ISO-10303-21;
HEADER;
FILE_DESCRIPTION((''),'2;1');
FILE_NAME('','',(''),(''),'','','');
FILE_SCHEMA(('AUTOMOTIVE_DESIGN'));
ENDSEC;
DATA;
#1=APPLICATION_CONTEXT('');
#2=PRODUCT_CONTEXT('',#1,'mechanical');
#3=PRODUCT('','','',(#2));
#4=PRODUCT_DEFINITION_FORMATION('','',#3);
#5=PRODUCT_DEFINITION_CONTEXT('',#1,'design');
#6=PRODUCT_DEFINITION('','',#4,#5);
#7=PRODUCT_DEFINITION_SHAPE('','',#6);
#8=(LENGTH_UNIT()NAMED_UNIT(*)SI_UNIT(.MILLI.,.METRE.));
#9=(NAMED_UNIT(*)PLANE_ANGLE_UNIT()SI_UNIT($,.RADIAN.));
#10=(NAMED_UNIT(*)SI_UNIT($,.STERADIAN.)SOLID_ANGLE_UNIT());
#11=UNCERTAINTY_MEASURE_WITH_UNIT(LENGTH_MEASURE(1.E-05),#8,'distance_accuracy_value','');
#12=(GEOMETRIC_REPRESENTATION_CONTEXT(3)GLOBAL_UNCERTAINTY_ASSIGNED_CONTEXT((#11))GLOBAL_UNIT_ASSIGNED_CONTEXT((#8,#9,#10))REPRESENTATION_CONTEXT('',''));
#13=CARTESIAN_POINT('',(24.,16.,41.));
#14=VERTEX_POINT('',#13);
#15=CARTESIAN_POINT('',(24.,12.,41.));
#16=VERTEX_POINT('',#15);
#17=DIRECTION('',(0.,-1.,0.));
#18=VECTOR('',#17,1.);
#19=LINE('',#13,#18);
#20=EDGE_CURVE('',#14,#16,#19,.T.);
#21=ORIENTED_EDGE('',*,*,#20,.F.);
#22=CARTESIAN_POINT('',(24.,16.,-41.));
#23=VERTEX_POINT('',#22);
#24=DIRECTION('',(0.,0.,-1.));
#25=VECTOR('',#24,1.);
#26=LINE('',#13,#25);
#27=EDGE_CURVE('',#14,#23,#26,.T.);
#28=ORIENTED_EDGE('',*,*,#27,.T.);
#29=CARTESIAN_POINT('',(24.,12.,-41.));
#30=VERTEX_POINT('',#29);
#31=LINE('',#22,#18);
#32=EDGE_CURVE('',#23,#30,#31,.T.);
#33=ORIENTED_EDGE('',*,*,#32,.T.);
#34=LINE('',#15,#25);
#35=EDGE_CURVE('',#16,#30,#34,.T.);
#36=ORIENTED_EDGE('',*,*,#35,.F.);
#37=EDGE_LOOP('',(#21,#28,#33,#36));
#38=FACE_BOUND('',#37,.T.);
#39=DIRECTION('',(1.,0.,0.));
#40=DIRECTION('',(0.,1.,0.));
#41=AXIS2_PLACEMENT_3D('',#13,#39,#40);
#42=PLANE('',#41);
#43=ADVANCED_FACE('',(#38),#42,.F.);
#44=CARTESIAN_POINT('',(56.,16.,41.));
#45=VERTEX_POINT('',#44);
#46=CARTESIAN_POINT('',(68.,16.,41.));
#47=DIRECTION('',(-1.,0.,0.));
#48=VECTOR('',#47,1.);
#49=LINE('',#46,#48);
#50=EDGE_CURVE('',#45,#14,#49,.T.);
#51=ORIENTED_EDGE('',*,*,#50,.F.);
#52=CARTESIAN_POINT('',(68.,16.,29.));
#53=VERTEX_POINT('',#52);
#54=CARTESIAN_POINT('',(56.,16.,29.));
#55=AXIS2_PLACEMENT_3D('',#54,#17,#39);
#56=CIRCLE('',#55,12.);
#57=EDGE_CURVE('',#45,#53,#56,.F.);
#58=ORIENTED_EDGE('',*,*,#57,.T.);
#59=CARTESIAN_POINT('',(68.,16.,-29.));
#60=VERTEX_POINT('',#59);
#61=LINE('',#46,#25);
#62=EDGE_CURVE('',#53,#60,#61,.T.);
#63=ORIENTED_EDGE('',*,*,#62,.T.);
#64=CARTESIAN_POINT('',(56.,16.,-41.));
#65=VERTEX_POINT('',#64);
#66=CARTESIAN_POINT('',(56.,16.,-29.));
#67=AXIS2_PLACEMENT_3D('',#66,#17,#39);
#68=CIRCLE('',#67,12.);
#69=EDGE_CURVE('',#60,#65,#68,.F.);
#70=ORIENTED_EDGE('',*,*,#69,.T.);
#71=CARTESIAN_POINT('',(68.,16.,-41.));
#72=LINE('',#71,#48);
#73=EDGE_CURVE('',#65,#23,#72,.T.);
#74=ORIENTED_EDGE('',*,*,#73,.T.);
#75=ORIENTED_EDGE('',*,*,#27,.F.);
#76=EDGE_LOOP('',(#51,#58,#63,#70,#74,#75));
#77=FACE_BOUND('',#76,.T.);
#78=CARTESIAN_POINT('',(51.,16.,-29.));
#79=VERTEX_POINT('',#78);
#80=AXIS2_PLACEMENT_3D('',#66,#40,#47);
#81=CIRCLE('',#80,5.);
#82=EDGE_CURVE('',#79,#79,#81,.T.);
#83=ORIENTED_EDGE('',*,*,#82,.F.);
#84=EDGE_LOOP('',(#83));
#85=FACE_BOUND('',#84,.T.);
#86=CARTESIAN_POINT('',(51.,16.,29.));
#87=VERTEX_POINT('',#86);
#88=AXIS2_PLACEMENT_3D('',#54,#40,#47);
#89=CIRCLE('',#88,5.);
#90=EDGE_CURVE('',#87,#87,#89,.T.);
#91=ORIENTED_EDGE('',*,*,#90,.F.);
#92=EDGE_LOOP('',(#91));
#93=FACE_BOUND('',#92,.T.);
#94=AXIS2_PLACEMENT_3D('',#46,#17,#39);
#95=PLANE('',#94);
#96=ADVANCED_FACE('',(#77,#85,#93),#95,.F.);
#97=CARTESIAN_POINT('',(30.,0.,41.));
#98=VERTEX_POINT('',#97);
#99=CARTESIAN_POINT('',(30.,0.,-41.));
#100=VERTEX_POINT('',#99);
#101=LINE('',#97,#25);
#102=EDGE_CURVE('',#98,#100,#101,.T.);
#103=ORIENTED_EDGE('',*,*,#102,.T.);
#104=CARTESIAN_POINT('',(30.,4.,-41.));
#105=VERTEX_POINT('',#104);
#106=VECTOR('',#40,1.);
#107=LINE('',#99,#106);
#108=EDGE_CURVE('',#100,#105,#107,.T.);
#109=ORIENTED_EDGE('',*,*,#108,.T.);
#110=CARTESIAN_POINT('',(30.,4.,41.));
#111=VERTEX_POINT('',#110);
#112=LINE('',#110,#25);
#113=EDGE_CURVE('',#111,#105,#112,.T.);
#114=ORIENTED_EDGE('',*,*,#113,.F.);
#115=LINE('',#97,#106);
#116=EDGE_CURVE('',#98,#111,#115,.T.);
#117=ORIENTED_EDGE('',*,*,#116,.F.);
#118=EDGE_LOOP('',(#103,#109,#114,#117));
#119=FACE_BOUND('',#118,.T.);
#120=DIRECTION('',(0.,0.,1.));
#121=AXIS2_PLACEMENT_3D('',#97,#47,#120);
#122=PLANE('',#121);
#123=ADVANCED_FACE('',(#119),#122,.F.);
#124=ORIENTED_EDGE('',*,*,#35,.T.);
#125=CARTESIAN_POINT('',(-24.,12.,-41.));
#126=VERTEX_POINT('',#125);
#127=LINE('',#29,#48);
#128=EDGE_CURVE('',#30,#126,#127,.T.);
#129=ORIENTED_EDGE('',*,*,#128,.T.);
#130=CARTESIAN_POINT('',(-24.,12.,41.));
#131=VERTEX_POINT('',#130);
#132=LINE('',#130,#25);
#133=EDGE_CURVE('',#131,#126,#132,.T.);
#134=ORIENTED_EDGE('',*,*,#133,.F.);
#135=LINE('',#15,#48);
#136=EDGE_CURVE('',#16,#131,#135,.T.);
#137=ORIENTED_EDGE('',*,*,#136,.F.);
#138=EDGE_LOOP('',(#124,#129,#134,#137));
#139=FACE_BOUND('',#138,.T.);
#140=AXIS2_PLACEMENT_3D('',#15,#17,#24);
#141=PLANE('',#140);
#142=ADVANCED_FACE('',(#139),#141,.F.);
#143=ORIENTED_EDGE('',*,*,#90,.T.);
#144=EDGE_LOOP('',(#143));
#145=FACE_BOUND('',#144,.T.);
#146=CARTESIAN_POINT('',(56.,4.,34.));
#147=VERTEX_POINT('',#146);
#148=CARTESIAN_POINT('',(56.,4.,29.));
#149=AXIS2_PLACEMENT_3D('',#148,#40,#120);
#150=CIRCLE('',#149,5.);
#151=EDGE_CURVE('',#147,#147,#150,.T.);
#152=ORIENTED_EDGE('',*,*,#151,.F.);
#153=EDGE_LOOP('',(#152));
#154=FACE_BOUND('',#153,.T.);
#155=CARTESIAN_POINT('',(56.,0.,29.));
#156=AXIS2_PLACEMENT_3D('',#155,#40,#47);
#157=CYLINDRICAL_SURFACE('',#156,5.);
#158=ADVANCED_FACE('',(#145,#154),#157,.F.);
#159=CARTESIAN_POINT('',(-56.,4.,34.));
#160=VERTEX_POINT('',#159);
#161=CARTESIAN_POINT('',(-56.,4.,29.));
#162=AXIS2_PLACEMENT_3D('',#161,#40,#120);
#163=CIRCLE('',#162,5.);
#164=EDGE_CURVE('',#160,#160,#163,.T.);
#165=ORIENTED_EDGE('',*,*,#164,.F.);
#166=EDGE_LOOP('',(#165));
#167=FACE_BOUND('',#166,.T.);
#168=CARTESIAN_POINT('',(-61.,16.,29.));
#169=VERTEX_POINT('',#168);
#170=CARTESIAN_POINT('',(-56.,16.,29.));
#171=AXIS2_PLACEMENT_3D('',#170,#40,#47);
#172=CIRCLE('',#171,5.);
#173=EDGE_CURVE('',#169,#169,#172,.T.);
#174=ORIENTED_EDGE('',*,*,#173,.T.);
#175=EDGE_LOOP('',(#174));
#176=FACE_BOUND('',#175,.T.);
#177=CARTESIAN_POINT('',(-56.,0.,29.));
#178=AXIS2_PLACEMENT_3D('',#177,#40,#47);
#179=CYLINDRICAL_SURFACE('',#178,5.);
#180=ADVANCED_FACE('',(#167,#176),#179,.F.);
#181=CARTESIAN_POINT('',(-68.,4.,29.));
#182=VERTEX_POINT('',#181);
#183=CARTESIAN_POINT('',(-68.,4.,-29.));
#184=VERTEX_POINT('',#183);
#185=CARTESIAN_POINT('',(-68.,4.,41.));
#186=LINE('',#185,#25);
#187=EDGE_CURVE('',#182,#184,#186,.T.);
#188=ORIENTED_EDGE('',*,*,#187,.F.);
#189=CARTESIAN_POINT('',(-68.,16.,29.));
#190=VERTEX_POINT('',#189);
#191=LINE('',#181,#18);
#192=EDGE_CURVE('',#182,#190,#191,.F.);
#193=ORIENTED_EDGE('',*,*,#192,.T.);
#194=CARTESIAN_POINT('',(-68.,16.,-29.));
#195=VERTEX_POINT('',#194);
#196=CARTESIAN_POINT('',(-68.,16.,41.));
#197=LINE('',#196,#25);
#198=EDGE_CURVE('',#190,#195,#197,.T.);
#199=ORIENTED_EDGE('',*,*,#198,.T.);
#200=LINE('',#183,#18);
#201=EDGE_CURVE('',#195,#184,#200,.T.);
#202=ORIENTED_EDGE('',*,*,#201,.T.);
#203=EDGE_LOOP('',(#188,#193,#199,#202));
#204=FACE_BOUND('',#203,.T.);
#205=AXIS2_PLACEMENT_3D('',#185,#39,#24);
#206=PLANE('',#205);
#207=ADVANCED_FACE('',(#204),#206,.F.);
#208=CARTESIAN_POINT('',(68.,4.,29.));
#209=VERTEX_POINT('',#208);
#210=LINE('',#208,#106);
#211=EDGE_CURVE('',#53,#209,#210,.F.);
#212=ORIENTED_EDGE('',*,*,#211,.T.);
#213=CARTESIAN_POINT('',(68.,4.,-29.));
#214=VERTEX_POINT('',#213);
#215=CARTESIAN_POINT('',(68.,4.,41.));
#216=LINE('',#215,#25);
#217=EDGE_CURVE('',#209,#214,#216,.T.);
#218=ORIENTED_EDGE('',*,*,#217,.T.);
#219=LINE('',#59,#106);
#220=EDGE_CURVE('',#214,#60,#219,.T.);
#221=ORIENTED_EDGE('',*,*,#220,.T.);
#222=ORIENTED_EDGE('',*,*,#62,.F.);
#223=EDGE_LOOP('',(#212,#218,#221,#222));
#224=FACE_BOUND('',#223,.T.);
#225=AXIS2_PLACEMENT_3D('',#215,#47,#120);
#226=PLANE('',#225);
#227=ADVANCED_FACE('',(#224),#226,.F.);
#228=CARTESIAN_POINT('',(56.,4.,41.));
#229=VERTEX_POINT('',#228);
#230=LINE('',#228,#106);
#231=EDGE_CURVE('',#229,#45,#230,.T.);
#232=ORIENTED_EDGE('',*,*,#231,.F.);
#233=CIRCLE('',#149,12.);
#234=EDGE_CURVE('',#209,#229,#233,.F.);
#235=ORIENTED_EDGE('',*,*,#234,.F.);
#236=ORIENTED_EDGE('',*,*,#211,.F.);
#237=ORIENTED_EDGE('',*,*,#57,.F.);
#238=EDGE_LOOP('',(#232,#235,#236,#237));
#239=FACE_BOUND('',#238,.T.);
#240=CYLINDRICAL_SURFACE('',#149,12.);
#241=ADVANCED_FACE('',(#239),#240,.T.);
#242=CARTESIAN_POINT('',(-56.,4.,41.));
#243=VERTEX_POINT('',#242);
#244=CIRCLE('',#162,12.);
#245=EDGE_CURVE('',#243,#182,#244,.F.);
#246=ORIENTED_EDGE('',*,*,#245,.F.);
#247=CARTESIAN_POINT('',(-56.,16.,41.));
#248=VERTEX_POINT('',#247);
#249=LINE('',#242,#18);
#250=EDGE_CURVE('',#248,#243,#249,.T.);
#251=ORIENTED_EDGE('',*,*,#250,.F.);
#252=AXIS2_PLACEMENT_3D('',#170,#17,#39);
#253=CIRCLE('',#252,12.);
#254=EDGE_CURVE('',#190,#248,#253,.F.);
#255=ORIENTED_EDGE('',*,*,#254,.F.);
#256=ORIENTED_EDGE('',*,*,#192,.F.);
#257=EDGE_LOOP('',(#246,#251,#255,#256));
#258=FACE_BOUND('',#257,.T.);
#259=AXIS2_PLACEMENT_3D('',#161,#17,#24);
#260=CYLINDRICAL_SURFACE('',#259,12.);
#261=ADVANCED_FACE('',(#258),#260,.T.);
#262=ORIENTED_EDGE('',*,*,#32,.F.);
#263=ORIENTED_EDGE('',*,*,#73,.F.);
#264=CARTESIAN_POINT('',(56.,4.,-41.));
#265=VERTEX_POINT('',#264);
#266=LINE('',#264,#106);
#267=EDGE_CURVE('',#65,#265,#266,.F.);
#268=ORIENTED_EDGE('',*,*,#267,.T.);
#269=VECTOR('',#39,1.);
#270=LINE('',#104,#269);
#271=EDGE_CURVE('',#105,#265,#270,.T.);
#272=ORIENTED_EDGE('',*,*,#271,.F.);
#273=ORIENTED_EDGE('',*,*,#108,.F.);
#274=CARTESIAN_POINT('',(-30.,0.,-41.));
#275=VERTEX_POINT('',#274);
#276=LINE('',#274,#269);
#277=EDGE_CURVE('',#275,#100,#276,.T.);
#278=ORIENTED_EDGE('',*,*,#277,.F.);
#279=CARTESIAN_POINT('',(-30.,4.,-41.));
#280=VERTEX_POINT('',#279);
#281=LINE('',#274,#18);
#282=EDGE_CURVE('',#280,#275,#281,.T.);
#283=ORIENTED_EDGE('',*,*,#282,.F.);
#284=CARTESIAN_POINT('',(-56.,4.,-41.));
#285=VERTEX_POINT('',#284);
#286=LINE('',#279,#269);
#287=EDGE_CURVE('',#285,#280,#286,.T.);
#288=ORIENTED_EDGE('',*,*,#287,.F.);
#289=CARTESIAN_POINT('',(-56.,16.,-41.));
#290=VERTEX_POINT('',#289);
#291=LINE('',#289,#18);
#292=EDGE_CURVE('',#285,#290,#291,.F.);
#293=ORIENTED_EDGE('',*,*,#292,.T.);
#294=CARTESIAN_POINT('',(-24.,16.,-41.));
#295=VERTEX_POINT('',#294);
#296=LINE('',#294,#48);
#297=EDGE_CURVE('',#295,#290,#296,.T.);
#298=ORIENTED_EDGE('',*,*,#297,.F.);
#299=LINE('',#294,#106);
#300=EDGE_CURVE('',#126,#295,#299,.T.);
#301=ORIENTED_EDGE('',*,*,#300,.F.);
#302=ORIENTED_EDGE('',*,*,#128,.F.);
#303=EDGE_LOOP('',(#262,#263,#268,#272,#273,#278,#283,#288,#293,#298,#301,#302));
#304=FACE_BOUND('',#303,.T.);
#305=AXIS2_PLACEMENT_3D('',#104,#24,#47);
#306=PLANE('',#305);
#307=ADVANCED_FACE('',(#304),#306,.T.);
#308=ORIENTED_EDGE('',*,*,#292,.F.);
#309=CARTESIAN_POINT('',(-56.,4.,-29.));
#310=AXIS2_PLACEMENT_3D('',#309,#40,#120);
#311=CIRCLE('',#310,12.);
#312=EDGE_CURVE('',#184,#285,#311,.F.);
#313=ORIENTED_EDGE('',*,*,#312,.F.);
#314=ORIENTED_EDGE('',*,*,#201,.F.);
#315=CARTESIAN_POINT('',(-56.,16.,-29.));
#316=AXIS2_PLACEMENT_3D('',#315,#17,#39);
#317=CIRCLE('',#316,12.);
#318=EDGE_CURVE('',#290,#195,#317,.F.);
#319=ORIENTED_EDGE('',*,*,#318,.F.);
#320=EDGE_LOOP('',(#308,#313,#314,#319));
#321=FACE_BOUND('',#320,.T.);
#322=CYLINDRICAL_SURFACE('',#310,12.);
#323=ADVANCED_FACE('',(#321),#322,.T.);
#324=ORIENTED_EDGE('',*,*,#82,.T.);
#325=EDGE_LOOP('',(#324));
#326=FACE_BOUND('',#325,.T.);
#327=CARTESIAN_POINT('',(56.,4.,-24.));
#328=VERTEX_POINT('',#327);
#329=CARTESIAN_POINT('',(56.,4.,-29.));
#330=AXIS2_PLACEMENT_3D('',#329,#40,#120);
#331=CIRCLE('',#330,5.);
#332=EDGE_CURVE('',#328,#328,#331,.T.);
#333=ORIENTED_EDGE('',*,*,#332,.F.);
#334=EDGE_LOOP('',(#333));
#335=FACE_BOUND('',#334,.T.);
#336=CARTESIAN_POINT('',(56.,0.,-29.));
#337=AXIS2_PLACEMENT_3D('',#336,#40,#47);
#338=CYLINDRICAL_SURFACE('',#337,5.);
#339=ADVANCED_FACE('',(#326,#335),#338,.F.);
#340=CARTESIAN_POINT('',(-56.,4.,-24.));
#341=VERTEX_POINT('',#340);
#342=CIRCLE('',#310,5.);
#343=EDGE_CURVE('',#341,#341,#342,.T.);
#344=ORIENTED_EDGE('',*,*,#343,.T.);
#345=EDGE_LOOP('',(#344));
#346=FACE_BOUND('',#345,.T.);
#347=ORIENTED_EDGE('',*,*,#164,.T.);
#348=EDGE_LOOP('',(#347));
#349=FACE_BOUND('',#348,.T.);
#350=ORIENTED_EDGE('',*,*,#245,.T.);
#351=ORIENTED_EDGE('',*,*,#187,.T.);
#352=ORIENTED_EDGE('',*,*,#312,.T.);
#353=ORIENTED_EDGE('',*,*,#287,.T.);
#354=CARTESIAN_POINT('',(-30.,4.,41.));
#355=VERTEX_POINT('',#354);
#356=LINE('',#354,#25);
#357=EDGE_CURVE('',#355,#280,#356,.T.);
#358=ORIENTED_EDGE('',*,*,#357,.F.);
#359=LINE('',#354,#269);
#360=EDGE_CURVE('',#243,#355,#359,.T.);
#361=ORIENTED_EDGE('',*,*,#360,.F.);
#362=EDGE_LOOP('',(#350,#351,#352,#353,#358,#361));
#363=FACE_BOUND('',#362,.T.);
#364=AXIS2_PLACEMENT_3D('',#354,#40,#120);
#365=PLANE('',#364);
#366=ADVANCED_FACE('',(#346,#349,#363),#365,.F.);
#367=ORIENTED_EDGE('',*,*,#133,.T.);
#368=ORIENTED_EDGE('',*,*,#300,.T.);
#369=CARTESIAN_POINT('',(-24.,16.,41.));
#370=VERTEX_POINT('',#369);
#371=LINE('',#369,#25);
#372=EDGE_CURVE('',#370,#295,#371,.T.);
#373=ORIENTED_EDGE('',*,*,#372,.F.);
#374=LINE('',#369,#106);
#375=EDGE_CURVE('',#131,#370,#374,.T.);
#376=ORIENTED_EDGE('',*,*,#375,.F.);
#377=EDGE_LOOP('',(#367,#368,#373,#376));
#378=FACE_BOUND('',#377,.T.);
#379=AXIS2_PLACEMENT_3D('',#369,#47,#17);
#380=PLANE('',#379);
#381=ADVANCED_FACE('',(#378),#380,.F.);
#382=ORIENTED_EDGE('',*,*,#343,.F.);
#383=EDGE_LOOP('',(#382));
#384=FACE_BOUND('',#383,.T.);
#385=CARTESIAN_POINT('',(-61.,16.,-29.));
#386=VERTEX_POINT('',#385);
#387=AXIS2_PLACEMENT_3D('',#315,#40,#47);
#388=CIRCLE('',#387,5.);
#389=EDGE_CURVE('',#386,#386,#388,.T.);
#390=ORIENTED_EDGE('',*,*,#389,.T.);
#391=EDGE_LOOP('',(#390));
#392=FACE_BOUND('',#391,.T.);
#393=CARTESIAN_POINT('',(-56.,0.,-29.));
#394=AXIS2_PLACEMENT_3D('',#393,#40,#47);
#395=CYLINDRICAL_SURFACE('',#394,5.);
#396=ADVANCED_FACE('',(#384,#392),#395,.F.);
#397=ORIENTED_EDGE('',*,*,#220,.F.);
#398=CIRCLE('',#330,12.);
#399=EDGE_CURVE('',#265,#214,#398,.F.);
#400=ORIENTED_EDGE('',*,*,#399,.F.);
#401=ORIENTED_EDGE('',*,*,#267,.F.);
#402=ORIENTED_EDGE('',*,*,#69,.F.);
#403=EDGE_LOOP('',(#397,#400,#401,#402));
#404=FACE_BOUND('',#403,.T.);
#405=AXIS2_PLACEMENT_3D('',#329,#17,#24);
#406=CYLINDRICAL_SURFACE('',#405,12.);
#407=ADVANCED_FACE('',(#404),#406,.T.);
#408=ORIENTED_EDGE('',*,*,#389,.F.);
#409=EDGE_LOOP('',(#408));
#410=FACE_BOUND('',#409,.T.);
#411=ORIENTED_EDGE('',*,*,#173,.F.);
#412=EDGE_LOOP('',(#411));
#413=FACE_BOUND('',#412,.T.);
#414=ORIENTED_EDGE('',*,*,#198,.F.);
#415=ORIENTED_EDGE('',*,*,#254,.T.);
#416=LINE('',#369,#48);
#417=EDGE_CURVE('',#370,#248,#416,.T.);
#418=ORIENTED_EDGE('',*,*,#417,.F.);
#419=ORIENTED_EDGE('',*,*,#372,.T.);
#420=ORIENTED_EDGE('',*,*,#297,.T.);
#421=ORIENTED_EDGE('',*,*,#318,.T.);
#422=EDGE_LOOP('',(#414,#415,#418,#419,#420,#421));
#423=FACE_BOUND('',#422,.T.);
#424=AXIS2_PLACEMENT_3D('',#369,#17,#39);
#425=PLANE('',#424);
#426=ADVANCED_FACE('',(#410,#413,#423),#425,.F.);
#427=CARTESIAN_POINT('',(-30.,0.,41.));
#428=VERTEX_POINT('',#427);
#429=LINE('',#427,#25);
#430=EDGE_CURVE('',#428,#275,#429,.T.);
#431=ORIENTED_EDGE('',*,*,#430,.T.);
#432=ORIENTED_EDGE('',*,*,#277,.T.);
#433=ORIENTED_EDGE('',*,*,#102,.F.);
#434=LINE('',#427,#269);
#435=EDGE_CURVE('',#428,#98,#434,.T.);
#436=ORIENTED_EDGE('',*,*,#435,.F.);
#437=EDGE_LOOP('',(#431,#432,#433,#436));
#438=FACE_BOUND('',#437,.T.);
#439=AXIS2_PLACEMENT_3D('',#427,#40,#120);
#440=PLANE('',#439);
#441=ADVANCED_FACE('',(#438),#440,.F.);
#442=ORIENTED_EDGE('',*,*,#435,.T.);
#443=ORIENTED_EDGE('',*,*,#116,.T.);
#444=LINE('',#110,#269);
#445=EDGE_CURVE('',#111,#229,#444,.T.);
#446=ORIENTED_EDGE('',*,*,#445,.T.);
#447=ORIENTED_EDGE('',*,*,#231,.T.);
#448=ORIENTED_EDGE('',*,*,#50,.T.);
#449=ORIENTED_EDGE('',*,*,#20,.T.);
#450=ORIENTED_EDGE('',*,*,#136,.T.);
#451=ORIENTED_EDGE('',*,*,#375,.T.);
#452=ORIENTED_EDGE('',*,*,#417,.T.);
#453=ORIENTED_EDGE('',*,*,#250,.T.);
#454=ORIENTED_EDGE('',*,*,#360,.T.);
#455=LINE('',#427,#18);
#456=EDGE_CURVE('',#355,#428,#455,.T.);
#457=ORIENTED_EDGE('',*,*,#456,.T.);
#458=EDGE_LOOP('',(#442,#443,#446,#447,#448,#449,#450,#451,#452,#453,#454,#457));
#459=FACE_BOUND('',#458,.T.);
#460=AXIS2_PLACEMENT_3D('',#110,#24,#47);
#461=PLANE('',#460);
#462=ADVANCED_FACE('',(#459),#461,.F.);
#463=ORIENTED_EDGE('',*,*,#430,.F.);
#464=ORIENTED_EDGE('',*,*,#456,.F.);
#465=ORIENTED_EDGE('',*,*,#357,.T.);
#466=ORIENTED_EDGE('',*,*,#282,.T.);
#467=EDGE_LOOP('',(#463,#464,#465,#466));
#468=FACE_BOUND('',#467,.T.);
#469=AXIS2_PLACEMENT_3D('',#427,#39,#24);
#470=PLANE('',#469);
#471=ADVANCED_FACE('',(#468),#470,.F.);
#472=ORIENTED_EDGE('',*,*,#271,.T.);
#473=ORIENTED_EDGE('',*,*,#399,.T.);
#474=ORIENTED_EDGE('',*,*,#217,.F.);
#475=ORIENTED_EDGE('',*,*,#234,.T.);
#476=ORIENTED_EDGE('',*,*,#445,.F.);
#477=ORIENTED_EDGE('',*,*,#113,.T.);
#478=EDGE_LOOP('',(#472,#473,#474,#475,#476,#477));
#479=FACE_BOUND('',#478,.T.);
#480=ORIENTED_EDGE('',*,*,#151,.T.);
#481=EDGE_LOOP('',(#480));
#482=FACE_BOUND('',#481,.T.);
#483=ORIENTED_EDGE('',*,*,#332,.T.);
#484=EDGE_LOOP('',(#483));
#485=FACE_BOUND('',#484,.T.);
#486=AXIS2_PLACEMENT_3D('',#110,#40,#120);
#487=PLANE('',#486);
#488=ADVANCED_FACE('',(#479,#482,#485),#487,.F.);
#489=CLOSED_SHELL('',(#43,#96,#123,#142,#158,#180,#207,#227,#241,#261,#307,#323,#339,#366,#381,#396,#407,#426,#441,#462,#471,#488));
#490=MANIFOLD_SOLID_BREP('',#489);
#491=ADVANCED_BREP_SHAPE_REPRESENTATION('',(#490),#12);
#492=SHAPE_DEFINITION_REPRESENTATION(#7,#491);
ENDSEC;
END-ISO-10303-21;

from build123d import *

# Parameters (mm, degrees)
EXTRUDE_1_DEPTH     = 41
FILLET_1_R          = 12
SKETCH_2_R          = 5
CUT_EXTRUDE_1_DEPTH = 82


with BuildPart() as part:
    # 草圖1 → 伸長1 (new, symmetric)
    with BuildSketch(Plane.XY):
        Polygon((-30, 0), (30, 0), (30, 4), (68, 4), (68, 16), (24, 16), (24, 12), (-24, 12), (-24, 16), (-68, 16), (-68, 4), (-30, 4), align=None)
    extrude(amount=EXTRUDE_1_DEPTH, both=True)

    # 圓角1
    fillet_1_edges = [part.edges().sort_by_distance(p)[0] for p in [
        (68, 10, 41),
        (-68, 10, -41),
        (68, 10, -41),
        (-68, 10, 41),
    ]]
    fillet(fillet_1_edges, radius=FILLET_1_R)

    # 草圖2 → 除料-伸長1 (cut, through all)
    with BuildSketch(Plane(origin=(0, 16, 0), x_dir=(-1, 0, 0), z_dir=(0, 1, 0))):
        with Locations((-56, -29)):
            Circle(SKETCH_2_R)
        with Locations((-56, 29)):
            Circle(SKETCH_2_R)
        with Locations((56, -29)):
            Circle(SKETCH_2_R)
        with Locations((56, 29)):
            Circle(SKETCH_2_R)
    extrude(amount=-CUT_EXTRUDE_1_DEPTH, mode=Mode.SUBTRACT)


solid = part.part
